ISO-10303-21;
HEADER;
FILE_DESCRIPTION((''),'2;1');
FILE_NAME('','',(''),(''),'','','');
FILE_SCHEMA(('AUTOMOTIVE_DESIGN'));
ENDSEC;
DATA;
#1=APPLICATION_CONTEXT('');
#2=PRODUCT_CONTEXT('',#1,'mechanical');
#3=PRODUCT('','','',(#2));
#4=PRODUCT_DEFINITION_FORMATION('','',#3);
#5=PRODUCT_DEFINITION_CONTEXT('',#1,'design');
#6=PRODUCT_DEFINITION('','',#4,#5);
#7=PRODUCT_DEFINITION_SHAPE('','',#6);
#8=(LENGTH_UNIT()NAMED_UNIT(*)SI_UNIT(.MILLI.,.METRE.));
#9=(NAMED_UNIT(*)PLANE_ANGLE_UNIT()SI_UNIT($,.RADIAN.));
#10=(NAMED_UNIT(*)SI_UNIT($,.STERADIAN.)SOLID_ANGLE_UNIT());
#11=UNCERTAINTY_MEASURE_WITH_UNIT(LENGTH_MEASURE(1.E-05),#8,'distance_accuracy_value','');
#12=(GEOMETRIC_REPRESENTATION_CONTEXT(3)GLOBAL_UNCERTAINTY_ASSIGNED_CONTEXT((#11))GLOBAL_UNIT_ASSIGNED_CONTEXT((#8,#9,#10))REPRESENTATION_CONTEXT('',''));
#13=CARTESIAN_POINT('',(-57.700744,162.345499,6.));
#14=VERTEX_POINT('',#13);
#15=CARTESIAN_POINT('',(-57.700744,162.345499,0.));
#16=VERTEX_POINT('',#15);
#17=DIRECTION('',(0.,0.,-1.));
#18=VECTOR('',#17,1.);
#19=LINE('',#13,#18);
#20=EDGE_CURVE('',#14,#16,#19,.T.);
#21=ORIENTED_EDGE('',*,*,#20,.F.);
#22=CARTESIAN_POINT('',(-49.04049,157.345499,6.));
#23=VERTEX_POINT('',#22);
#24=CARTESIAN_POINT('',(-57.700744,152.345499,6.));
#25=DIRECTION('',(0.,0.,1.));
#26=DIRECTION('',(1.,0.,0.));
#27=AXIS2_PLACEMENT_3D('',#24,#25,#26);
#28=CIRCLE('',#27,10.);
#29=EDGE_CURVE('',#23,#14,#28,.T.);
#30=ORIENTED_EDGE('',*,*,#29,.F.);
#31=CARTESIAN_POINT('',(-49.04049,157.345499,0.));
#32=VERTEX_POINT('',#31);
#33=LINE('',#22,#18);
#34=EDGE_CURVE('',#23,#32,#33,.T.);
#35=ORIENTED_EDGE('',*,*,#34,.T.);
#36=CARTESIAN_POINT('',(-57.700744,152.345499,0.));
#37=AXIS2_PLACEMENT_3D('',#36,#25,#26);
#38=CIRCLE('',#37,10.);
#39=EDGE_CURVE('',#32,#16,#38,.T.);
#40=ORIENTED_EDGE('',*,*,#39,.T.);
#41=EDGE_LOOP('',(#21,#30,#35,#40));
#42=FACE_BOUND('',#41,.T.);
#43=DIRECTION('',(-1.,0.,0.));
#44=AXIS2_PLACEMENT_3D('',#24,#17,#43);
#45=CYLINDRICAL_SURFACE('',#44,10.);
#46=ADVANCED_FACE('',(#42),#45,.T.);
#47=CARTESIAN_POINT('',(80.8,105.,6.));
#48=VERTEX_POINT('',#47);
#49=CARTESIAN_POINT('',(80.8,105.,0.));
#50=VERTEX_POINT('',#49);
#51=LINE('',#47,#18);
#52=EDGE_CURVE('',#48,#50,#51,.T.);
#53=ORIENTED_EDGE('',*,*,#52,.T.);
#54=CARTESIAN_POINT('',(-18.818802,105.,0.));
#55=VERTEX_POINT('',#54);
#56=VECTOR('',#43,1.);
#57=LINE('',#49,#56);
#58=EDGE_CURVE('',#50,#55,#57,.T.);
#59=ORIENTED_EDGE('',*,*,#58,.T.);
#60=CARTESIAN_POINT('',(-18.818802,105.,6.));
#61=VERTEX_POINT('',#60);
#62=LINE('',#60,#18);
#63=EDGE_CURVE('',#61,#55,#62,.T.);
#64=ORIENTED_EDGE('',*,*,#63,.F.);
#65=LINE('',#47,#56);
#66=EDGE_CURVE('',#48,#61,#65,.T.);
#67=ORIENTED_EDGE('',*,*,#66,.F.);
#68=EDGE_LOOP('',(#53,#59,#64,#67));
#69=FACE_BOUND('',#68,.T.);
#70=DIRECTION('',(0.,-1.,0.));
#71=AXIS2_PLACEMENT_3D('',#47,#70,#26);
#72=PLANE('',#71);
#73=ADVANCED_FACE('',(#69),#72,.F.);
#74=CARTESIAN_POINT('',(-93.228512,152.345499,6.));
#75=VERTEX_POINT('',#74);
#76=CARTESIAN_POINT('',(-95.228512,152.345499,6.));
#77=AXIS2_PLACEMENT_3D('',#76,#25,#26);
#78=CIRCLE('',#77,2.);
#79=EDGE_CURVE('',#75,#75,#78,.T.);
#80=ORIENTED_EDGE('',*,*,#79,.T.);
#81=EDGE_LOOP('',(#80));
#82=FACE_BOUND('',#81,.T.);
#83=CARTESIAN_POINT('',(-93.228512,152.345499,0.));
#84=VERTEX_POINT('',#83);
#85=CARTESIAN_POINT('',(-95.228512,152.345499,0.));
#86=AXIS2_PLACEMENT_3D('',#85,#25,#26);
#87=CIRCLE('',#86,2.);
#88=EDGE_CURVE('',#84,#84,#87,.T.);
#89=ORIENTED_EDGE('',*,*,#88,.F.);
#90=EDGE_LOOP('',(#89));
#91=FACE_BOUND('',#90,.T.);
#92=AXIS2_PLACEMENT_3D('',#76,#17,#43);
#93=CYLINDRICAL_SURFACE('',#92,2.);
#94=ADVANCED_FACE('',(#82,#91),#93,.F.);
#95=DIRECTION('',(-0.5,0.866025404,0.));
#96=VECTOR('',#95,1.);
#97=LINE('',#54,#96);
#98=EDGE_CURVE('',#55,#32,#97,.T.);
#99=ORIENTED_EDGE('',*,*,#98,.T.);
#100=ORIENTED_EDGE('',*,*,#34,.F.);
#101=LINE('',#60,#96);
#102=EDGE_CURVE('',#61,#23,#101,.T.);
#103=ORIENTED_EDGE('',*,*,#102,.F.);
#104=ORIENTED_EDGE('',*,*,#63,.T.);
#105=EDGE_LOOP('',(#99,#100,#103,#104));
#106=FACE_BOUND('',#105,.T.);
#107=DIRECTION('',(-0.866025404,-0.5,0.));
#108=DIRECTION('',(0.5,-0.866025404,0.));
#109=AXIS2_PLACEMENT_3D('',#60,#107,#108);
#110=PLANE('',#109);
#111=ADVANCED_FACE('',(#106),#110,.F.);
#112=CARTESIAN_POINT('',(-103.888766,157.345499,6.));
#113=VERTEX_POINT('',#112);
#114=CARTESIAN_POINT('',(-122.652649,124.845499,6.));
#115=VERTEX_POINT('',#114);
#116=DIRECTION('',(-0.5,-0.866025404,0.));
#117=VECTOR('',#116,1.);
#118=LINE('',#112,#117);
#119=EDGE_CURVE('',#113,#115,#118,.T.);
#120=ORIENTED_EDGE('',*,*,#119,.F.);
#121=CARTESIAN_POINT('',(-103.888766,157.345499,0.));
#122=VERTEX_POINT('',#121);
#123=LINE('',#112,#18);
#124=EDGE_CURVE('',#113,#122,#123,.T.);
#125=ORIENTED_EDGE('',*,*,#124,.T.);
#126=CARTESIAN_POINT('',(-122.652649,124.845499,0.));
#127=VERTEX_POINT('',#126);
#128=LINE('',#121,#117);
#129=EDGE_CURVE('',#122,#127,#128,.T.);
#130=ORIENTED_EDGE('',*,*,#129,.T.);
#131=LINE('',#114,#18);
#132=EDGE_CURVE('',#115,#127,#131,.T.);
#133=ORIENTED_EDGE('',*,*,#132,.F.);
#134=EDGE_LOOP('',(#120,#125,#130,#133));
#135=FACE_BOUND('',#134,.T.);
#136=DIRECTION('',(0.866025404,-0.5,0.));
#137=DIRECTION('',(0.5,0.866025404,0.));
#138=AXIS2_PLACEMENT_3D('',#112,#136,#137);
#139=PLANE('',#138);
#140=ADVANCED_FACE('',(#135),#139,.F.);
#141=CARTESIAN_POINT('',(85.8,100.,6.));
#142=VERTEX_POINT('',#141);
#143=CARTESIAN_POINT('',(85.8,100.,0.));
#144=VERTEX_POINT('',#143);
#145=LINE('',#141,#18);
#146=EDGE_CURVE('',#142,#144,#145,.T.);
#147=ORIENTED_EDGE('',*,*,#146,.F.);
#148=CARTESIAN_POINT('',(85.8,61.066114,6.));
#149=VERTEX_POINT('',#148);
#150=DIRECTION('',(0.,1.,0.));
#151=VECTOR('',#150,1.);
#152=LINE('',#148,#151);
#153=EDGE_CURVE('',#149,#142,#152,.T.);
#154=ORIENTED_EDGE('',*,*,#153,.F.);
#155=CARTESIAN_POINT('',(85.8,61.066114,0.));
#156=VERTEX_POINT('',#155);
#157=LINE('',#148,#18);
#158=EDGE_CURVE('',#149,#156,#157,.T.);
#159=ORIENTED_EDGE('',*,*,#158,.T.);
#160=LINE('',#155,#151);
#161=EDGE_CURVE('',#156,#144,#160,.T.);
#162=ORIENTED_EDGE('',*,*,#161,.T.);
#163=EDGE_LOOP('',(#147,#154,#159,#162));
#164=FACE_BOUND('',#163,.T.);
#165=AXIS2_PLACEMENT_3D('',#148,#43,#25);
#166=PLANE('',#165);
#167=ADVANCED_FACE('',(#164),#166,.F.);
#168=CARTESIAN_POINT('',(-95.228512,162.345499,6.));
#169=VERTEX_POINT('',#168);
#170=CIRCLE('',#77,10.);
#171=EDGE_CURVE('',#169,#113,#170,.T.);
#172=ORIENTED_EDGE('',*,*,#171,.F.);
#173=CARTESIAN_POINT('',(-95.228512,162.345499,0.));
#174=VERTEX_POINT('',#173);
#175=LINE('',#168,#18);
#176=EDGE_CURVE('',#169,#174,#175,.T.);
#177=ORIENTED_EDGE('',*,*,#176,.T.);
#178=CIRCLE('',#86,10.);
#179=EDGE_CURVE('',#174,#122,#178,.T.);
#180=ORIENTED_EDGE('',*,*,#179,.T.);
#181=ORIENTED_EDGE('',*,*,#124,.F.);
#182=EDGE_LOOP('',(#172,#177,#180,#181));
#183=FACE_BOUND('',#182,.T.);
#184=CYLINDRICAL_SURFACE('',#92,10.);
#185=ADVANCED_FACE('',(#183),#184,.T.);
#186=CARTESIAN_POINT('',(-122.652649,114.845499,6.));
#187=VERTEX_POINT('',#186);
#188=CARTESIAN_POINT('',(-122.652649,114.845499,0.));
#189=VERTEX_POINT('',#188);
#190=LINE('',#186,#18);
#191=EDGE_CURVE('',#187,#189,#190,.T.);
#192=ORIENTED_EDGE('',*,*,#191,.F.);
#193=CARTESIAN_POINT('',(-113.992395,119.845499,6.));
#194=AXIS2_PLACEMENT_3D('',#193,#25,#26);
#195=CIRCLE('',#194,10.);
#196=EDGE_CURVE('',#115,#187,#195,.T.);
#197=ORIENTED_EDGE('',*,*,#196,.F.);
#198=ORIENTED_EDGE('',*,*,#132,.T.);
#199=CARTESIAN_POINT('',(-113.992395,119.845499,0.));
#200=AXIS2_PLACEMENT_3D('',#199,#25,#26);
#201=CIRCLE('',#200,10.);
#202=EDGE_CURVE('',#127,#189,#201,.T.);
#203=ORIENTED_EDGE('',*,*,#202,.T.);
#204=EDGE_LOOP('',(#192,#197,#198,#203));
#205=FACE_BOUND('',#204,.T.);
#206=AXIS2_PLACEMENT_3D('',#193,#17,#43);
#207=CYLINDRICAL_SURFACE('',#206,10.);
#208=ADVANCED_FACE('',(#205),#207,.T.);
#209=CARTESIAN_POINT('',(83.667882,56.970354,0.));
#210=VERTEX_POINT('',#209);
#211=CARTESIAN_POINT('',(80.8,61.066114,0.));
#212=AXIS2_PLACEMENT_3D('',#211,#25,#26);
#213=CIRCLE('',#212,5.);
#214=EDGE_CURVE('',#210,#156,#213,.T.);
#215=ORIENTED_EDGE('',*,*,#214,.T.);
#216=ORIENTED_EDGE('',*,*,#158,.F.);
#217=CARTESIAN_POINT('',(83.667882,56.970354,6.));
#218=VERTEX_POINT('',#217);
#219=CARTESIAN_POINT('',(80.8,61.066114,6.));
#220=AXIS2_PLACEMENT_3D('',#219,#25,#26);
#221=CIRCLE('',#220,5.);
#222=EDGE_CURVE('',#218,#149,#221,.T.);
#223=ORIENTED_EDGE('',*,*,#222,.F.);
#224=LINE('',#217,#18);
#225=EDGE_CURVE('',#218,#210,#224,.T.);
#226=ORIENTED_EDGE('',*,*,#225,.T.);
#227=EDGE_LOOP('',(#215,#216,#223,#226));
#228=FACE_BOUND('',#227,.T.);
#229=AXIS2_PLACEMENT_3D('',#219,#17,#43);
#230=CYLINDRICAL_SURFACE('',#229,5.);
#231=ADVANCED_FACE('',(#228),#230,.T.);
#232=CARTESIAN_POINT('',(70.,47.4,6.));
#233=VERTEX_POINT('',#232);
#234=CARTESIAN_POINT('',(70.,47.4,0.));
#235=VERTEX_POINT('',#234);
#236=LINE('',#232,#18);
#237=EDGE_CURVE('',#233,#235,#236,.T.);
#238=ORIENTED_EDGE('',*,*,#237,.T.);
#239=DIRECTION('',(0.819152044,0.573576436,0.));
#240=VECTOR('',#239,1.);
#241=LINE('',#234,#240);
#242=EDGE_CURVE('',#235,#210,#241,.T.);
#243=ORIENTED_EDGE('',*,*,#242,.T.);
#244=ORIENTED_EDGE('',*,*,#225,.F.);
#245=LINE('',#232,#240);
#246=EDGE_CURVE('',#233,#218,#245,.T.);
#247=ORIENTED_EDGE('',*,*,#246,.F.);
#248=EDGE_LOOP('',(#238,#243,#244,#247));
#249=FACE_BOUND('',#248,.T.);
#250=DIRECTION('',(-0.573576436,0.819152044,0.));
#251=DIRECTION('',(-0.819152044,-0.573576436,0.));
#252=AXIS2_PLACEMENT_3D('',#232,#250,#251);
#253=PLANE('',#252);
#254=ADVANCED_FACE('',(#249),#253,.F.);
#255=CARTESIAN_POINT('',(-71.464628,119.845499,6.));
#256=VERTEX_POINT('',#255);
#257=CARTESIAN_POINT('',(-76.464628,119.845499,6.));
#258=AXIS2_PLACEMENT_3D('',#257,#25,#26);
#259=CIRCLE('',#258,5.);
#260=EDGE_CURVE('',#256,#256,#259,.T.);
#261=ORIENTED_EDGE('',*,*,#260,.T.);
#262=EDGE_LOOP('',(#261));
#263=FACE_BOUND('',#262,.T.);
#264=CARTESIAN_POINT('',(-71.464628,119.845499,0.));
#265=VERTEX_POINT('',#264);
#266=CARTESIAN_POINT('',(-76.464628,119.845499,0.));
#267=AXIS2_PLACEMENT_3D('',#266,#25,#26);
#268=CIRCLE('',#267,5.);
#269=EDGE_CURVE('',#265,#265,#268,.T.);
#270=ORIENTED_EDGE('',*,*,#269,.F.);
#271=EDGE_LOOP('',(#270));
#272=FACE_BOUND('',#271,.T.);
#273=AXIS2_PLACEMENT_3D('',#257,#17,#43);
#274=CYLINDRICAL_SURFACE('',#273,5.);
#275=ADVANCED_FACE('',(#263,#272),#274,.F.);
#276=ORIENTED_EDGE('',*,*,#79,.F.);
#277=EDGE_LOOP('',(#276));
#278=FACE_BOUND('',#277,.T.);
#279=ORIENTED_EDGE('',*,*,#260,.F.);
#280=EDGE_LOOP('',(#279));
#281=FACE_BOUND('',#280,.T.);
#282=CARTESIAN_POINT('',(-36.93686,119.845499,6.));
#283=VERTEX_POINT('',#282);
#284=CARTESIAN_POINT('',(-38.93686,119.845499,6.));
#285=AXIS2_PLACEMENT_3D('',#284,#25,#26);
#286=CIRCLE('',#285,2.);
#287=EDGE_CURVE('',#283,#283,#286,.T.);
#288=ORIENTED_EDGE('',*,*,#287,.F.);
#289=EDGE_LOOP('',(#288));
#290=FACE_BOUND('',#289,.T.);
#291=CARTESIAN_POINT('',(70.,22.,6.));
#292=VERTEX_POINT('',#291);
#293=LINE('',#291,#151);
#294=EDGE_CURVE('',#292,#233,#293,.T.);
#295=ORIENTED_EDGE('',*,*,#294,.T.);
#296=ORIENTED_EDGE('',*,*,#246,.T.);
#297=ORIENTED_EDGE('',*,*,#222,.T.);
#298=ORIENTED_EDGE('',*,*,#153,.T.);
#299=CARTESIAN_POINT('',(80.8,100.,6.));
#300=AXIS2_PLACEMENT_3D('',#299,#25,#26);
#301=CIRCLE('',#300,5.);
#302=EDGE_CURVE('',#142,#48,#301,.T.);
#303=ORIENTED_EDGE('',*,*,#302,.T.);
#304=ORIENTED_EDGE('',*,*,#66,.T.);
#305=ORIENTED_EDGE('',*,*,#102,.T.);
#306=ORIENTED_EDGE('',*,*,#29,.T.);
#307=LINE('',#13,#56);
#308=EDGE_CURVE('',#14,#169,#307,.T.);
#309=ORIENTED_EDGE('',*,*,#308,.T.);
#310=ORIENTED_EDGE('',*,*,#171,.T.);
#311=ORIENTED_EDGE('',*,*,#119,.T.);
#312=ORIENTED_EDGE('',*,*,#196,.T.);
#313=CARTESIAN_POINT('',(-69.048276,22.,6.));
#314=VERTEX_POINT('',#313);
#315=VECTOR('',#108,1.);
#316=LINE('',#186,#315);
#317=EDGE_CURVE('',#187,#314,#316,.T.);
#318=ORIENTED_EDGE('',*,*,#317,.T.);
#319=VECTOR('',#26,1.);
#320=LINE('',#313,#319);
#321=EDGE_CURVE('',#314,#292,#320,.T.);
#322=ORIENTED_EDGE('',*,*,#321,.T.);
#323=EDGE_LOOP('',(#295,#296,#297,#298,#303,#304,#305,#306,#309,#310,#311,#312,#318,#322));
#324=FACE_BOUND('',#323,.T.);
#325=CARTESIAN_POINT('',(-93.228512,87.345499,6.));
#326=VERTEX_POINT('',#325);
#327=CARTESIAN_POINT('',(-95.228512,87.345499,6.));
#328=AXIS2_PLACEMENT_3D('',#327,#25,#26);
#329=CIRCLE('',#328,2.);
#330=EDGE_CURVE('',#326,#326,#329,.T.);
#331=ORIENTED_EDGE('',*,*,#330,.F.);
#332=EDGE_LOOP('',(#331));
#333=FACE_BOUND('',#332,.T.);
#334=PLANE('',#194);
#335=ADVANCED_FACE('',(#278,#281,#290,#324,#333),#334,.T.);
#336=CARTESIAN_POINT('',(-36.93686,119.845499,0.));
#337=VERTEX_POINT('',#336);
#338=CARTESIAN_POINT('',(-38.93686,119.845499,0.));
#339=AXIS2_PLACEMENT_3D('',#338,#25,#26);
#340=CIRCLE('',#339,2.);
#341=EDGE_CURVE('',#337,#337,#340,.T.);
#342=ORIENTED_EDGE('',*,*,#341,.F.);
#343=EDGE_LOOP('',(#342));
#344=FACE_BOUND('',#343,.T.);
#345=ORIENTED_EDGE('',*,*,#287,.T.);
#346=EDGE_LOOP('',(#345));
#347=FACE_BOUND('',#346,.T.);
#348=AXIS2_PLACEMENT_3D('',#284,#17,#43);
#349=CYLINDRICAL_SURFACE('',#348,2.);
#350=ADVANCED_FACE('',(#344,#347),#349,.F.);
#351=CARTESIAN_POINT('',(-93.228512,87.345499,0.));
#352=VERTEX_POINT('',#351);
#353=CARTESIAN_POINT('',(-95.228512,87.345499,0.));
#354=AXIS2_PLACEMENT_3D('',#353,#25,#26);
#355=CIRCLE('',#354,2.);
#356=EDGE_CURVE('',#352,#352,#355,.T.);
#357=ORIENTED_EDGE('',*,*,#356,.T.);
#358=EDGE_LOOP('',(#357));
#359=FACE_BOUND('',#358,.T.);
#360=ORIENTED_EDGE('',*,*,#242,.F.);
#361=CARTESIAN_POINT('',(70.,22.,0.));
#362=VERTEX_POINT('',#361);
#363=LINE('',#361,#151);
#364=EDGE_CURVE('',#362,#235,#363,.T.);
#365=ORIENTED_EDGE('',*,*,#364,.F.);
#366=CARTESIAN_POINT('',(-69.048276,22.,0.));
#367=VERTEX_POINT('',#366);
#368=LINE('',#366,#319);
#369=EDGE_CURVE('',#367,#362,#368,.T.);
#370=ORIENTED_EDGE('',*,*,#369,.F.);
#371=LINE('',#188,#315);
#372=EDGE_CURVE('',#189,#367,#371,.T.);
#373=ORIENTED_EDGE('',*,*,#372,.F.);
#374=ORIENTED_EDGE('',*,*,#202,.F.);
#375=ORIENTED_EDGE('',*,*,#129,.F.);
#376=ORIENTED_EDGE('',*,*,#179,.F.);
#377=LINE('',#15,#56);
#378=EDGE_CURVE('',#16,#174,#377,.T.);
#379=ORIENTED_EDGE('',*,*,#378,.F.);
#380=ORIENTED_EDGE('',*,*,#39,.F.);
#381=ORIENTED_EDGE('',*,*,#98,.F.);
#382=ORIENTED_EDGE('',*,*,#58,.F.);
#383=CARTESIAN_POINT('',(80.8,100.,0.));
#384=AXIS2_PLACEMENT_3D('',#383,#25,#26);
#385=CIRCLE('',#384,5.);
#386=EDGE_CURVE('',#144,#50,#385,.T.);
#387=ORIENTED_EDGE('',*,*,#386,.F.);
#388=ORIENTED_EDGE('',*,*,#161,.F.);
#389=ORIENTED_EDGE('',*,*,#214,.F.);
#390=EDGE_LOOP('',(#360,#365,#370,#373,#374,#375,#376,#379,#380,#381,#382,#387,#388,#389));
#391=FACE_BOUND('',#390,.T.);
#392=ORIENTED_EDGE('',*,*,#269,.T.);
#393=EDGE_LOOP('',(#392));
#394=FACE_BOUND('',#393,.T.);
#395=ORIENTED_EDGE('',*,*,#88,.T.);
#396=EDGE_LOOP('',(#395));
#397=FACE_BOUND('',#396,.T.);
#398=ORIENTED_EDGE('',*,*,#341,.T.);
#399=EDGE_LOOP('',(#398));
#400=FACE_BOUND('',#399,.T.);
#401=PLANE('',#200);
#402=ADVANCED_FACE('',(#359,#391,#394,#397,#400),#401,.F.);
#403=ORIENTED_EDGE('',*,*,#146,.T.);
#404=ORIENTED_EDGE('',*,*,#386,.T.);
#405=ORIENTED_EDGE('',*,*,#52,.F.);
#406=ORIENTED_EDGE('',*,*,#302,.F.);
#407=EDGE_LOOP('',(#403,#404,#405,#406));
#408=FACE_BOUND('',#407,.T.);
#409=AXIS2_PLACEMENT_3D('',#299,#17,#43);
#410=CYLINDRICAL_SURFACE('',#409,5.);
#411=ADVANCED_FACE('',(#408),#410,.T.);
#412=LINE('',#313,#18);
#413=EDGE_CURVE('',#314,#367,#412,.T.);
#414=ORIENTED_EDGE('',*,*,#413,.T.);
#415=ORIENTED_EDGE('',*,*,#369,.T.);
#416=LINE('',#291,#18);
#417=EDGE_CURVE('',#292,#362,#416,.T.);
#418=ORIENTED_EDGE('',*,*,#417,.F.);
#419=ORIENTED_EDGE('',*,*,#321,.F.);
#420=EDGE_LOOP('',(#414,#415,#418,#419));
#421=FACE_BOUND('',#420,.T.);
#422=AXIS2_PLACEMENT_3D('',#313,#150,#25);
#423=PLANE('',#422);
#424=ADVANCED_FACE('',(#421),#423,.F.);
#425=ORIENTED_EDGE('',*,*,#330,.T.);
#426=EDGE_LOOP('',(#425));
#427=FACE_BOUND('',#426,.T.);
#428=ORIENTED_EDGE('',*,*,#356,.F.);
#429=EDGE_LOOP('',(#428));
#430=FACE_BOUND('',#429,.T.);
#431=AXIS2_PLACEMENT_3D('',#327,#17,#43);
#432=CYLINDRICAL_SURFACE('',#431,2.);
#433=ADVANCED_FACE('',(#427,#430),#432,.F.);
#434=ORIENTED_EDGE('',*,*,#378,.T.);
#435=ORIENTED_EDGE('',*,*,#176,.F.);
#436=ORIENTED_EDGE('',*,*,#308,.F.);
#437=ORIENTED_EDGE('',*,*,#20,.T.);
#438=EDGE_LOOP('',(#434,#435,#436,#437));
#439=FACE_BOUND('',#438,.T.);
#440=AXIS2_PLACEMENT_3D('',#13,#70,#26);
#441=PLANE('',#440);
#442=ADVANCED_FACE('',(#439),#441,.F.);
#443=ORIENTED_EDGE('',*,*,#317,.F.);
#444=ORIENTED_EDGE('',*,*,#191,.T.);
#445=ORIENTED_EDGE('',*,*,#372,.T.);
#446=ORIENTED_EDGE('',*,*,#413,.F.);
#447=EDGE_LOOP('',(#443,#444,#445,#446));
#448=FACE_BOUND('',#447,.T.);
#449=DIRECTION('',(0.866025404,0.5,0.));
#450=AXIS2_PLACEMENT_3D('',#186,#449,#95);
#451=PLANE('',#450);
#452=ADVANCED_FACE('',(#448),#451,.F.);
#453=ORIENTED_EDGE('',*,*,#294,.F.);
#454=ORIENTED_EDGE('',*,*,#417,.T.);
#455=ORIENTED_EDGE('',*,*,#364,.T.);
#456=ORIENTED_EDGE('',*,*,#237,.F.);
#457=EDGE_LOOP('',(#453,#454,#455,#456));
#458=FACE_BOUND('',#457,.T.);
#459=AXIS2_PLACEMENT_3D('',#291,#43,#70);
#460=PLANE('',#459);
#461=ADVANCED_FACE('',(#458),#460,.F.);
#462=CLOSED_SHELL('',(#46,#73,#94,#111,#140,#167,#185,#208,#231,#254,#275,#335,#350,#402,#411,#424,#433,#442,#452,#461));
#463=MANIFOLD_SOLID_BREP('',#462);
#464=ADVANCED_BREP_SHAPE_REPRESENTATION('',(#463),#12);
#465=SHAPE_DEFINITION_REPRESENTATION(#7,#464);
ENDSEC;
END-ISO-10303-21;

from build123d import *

# Parameters (mm, degrees)
SKETCH1_R           = 2
SKETCH1_R_2         = 5
BOSS_EXTRUDE1_DEPTH = 6


with BuildPart() as part:
    # Sketch1 → Boss-Extrude1 (new body)
    with BuildSketch(Plane.XY):
        with BuildLine():
            Line((-122.652649312, 114.845498823), (-69.048275573, 22))
            Line((-69.048275573, 22), (70, 22))
            Line((70, 22), (70, 47.4))
            Line((70, 47.4), (83.667882182, 56.970354135))
            ThreePointArc((83.667882182, 56.970354135), (85.235054166, 58.75737129), (85.8, 61.066114356))
            Line((85.8, 61.066114356), (85.8, 100))
            ThreePointArc((85.8, 100), (84.335533906, 103.535533906), (80.8, 105))
            Line((80.8, 105), (-18.818802154, 105))
            Line((-18.818802154, 105), (-49.04048999, 157.345498823))
            ThreePointArc((-49.04048999, 157.345498823), (-52.700744028, 161.005752861), (-57.700744028, 162.345498823))
            Line((-57.700744028, 162.345498823), (-95.228511525, 162.345498823))
            ThreePointArc((-95.228511525, 162.345498823), (-100.228511525, 161.005752861), (-103.888765563, 157.345498823))
            Line((-103.888765563, 157.345498823), (-122.652649312, 124.845498823))
            ThreePointArc((-122.652649312, 124.845498823), (-123.992395274, 119.845498823), (-122.652649312, 114.845498823))
        make_face()
        with Locations((-95.228511525, 87.345498823)):
            Circle(SKETCH1_R, mode=Mode.SUBTRACT)
        with Locations((-38.936860279, 119.845498823)):
            Circle(SKETCH1_R, mode=Mode.SUBTRACT)
        with Locations((-76.464627777, 119.845498823)):
            Circle(SKETCH1_R_2, mode=Mode.SUBTRACT)
        with Locations((-95.228511525, 152.345498823)):
            Circle(SKETCH1_R, mode=Mode.SUBTRACT)
    extrude(amount=BOSS_EXTRUDE1_DEPTH)


solid = part.part
